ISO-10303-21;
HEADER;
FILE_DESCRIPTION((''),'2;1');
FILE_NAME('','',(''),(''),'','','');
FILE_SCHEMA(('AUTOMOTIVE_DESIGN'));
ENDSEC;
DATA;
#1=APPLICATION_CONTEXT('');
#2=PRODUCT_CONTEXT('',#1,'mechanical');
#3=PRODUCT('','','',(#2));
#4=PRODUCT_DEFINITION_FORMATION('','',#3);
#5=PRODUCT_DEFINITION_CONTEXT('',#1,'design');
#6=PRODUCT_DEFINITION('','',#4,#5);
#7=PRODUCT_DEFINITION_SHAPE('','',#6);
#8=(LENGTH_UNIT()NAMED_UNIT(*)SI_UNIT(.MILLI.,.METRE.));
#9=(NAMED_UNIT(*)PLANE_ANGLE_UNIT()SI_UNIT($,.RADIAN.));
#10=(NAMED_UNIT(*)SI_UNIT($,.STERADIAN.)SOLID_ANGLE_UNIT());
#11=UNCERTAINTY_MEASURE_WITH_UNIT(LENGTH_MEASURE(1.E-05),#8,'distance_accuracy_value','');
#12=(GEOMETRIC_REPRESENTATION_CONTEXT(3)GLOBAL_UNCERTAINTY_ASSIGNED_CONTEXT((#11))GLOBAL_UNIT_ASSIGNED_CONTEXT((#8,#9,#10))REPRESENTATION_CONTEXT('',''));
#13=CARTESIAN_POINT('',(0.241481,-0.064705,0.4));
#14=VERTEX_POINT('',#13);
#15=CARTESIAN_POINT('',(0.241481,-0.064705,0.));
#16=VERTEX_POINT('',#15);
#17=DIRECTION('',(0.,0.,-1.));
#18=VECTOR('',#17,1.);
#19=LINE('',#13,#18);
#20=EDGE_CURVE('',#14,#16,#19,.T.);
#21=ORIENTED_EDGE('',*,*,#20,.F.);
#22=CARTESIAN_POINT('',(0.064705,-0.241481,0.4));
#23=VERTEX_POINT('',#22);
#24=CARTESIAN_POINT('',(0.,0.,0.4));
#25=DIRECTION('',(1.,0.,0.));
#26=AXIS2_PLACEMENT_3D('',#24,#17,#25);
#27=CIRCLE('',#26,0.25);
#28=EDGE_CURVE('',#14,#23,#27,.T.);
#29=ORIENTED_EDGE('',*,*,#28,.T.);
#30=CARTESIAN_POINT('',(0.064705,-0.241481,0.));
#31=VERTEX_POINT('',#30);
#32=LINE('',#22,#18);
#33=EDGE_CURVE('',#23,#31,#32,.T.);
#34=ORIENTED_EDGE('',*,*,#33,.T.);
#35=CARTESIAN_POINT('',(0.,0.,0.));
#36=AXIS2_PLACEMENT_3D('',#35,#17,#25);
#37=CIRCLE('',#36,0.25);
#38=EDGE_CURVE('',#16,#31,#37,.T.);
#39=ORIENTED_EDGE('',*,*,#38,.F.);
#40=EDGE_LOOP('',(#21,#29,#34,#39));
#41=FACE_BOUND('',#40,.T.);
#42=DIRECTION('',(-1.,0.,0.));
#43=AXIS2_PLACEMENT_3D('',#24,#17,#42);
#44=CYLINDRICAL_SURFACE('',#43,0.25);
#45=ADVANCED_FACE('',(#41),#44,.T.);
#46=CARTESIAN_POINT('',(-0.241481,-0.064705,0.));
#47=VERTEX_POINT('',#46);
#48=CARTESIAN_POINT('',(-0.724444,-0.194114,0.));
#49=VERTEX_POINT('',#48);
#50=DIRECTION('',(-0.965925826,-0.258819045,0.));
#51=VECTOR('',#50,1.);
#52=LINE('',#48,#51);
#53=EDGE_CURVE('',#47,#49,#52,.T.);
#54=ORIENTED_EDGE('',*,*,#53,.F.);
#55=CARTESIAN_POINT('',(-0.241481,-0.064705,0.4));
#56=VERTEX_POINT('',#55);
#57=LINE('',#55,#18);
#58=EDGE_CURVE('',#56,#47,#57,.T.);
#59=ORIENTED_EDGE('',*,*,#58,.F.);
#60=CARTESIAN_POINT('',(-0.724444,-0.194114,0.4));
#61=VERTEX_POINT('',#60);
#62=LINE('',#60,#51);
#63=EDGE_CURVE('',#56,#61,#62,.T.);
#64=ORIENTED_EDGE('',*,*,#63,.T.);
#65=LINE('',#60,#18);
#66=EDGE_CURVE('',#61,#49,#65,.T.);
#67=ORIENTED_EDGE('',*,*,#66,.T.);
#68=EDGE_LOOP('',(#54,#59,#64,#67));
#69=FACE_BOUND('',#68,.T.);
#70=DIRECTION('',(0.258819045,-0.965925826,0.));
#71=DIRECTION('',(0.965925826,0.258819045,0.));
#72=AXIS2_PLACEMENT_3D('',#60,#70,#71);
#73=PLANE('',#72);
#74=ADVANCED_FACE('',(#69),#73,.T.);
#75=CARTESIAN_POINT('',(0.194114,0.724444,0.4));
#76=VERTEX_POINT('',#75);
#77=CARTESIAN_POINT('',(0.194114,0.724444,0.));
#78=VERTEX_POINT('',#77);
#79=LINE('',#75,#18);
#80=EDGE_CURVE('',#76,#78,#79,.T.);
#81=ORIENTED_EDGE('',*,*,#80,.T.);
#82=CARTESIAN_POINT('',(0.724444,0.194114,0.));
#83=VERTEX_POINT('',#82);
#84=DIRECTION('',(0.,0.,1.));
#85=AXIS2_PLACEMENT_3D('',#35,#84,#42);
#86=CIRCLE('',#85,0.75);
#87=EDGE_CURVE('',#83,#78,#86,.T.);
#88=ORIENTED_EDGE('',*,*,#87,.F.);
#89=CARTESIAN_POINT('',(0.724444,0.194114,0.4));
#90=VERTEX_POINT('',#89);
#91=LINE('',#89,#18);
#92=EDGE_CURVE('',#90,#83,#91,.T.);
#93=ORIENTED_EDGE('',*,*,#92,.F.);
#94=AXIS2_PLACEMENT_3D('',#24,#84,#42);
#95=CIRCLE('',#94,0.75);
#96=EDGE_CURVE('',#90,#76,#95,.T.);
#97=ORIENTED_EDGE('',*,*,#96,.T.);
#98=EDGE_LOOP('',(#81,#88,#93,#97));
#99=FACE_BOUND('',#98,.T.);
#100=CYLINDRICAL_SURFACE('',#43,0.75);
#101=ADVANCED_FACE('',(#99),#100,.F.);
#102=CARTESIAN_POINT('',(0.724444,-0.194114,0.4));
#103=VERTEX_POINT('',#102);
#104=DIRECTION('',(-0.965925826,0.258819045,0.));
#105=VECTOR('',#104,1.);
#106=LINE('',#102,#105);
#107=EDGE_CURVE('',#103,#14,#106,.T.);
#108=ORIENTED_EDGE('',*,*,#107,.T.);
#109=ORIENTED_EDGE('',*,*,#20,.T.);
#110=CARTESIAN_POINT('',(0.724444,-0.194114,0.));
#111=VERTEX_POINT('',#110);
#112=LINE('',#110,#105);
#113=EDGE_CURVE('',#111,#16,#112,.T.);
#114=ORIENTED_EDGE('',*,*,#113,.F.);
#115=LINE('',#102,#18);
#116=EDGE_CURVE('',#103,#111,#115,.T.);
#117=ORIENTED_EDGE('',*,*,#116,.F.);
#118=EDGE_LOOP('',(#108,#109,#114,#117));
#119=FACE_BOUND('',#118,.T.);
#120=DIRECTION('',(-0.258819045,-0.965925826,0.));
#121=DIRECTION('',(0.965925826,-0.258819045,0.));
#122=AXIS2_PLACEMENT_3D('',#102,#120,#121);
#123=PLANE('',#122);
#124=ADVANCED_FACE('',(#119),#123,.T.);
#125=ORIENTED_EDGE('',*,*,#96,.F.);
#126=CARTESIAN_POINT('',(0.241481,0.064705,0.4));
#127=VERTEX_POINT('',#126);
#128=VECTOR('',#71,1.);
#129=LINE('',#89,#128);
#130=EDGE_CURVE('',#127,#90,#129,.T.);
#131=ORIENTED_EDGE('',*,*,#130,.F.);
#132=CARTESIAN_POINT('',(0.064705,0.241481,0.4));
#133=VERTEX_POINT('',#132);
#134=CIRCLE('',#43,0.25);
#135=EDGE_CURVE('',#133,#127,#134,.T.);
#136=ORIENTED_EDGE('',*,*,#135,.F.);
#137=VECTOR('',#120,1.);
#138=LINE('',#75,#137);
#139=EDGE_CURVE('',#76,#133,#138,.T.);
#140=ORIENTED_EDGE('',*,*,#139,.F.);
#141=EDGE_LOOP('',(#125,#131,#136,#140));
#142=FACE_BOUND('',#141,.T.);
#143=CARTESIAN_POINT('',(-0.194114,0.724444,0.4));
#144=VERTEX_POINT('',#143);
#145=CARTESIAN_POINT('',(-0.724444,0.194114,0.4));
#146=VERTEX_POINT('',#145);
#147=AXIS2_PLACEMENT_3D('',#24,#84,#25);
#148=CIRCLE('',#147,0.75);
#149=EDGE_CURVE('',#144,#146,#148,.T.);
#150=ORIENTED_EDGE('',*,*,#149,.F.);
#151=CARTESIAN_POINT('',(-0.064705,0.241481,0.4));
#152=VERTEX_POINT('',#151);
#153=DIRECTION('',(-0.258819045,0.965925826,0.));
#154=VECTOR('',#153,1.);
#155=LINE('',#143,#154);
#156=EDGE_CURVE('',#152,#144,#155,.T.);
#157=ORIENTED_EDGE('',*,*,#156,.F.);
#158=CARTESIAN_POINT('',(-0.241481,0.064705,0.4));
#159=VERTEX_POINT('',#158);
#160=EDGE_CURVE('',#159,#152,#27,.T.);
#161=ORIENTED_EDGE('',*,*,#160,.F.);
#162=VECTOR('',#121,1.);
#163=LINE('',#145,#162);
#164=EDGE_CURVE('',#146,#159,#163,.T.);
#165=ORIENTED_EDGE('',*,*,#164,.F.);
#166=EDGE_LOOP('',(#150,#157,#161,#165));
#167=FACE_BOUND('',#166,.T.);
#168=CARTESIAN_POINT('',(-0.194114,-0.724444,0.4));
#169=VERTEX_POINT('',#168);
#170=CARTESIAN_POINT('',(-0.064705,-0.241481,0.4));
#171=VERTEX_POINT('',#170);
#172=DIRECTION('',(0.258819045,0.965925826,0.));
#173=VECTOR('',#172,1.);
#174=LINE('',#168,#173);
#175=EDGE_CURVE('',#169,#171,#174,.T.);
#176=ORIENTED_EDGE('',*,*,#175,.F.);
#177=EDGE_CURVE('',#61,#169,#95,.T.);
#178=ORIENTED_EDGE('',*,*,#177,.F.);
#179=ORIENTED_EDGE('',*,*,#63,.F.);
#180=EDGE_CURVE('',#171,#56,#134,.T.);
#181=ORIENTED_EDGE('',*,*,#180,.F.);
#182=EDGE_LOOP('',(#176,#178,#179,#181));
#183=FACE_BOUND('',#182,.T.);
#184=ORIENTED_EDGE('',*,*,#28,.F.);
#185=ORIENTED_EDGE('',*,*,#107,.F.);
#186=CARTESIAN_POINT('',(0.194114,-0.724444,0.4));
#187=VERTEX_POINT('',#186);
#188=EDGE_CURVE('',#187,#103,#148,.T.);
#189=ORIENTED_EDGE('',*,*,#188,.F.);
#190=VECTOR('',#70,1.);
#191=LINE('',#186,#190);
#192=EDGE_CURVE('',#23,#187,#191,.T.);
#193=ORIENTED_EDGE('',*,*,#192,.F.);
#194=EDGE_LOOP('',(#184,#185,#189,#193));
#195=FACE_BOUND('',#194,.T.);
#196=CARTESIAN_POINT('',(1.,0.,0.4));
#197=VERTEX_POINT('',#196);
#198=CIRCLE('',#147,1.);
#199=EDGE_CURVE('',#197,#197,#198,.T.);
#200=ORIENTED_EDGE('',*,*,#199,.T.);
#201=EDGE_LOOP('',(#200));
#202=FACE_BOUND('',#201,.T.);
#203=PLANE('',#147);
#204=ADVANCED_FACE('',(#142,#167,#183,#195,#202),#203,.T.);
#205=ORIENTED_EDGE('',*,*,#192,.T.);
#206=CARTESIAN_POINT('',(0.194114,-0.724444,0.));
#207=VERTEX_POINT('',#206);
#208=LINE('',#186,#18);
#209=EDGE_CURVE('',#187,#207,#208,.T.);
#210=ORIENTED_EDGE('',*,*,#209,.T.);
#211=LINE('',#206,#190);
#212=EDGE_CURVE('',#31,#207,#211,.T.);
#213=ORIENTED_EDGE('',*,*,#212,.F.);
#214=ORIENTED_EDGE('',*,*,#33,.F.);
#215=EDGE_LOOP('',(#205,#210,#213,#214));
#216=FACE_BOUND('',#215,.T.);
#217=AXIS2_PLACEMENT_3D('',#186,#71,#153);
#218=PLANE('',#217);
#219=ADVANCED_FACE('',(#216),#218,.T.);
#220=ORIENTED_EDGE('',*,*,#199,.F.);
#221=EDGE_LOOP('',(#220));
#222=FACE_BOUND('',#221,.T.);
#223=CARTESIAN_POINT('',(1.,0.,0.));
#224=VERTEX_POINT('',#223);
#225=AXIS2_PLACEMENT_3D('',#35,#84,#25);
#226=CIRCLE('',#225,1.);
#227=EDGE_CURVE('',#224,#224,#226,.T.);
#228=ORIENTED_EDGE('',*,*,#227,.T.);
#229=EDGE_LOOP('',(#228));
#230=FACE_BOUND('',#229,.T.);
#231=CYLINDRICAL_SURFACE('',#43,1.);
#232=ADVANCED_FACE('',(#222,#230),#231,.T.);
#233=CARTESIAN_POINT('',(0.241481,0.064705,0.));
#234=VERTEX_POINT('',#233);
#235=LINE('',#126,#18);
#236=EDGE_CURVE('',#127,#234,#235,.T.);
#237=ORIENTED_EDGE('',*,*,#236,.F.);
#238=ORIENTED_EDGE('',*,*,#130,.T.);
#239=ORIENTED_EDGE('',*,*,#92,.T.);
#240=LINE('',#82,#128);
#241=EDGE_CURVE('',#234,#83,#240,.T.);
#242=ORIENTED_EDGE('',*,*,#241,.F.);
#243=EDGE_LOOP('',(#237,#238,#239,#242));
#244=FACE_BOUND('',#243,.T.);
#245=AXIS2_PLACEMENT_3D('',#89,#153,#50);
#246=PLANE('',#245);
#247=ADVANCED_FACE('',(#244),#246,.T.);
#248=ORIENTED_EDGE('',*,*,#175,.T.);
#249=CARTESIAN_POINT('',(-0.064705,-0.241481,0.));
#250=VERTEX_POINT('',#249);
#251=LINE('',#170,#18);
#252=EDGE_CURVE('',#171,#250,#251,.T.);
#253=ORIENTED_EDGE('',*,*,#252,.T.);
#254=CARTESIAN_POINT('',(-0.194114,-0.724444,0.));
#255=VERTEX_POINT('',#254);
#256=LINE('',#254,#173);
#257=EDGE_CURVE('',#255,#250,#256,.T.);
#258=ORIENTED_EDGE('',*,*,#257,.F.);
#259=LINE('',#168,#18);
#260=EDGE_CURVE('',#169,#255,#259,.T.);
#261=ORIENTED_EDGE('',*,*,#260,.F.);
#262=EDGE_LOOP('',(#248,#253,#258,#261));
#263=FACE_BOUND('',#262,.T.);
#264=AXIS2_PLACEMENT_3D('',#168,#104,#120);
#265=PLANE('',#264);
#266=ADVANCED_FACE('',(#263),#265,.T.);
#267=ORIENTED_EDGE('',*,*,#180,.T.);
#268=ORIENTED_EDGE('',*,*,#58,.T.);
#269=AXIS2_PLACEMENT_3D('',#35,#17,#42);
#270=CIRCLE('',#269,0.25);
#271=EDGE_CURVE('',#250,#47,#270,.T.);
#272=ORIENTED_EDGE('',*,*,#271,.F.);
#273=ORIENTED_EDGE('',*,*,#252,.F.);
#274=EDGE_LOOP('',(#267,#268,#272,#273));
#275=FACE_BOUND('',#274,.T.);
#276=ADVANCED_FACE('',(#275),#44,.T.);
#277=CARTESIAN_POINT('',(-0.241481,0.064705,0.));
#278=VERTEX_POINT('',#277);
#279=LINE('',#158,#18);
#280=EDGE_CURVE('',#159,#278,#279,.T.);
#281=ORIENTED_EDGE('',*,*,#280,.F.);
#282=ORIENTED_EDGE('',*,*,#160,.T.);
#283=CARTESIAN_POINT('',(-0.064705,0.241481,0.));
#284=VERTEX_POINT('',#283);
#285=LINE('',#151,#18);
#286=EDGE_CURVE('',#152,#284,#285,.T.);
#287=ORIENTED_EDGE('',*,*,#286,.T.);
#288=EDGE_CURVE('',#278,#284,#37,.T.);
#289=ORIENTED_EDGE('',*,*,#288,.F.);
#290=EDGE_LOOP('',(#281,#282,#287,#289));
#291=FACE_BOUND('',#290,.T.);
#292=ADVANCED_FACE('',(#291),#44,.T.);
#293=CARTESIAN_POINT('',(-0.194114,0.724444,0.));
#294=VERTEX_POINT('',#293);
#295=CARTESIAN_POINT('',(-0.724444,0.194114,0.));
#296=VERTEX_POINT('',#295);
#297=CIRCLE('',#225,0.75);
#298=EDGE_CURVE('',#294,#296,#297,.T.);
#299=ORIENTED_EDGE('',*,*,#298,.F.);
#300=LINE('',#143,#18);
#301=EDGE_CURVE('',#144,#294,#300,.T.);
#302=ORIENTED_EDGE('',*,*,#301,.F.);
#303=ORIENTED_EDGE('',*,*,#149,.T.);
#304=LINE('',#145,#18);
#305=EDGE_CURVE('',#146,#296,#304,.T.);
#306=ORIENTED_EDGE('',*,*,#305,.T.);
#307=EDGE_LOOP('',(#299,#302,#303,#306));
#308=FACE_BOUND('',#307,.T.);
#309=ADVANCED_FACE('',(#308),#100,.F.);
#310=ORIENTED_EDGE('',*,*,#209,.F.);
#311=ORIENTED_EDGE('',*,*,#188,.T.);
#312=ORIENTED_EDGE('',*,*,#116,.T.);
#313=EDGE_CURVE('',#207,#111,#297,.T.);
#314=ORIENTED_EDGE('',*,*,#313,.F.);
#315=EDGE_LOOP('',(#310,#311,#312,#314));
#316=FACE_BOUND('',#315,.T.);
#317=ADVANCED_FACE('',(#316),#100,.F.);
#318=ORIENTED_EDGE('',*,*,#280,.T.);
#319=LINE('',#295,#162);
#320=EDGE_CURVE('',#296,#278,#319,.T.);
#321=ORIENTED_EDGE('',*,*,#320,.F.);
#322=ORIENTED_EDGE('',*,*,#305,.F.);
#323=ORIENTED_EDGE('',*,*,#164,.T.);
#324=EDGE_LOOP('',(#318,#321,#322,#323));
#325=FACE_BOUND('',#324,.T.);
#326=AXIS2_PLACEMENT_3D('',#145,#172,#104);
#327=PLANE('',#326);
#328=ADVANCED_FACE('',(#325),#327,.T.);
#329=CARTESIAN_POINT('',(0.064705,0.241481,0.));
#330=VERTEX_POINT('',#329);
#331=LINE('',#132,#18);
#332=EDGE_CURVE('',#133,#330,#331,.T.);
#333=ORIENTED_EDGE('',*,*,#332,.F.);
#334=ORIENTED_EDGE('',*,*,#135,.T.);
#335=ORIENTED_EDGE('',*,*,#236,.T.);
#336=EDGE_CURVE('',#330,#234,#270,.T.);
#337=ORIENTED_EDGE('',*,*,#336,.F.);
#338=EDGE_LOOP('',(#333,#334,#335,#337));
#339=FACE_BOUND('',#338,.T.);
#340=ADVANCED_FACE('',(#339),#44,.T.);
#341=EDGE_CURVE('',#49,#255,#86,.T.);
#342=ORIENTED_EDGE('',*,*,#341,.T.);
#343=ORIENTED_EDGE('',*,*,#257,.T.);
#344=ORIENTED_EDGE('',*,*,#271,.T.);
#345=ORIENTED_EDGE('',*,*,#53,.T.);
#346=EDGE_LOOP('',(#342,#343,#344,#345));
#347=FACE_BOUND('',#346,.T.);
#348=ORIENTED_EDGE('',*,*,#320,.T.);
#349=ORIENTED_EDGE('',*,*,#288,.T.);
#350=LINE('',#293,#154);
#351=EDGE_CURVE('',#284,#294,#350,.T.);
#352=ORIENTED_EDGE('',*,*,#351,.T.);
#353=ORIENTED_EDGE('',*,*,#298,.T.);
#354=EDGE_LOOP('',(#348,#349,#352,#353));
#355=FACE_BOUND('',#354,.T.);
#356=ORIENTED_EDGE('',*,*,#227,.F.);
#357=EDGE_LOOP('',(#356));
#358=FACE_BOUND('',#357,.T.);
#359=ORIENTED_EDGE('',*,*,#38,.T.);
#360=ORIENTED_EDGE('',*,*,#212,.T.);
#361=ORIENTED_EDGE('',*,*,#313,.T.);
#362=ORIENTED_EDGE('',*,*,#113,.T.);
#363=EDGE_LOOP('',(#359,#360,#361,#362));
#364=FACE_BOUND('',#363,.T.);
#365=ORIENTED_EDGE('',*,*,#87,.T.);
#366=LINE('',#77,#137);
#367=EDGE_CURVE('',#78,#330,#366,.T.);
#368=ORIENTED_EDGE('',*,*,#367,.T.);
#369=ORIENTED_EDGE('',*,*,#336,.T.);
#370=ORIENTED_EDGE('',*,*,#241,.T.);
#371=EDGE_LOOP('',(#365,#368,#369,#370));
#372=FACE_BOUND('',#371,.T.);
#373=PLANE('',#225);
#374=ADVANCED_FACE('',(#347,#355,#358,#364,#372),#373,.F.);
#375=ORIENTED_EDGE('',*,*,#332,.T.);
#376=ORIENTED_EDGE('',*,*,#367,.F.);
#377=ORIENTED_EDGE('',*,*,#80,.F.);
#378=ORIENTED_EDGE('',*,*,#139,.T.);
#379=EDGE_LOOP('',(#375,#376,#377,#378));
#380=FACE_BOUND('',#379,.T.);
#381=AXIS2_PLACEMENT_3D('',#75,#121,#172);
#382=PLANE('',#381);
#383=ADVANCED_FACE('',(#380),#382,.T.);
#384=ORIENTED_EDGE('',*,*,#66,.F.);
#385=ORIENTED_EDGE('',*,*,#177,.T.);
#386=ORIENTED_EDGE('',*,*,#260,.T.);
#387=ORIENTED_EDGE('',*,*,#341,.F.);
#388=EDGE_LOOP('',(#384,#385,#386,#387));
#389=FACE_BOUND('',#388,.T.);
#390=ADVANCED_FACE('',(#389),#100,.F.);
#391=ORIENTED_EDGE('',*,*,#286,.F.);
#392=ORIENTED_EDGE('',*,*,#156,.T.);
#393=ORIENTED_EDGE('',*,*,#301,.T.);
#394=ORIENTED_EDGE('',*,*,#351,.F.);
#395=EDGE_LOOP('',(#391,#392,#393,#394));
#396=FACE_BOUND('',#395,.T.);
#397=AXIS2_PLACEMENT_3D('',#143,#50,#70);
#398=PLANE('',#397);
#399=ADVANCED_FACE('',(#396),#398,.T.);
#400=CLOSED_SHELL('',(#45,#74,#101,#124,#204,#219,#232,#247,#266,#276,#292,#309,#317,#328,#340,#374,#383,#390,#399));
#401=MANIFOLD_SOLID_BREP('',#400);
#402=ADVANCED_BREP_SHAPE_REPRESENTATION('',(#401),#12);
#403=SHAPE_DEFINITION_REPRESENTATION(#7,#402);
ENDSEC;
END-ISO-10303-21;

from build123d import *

# Parameters (mm, degrees)
SKETCH1_R           = 1
BOSS_EXTRUDE1_DEPTH = 0.4


with BuildPart() as part:
    # Sketch1 → Boss-Extrude1 (new body)
    with BuildSketch(Plane.XY):
        Circle(SKETCH1_R)
        with BuildLine():
            Line((-0.72444437, 0.194114284), (-0.241481457, 0.064704761))
            ThreePointArc((-0.241481457, 0.064704761), (-0.176776695, 0.176776695), (-0.064704761, 0.241481457))
            Line((-0.064704761, 0.241481457), (-0.194114284, 0.72444437))
            ThreePointArc((-0.194114284, 0.72444437), (-0.530330086, 0.530330086), (-0.72444437, 0.194114284))
        make_face(mode=Mode.SUBTRACT)
        with BuildLine():
            Line((0.194114284, 0.72444437), (0.064704761, 0.241481457))
            ThreePointArc((0.064704761, 0.241481457), (0.176776695, 0.176776695), (0.241481457, 0.064704761))
            Line((0.241481457, 0.064704761), (0.72444437, 0.194114284))
            ThreePointArc((0.72444437, 0.194114284), (0.530330086, 0.530330086), (0.194114284, 0.72444437))
        make_face(mode=Mode.SUBTRACT)
        with BuildLine():
            Line((0.194114284, -0.72444437), (0.064704761, -0.241481457))
            ThreePointArc((0.064704761, -0.241481457), (0.176776695, -0.176776695), (0.241481457, -0.064704761))
            Line((0.241481457, -0.064704761), (0.72444437, -0.194114284))
            ThreePointArc((0.72444437, -0.194114284), (0.530330086, -0.530330086), (0.194114284, -0.72444437))
        make_face(mode=Mode.SUBTRACT)
        with BuildLine():
            Line((-0.194114284, -0.72444437), (-0.064704761, -0.241481457))
            ThreePointArc((-0.064704761, -0.241481457), (-0.176776695, -0.176776695), (-0.241481457, -0.064704761))
            Line((-0.241481457, -0.064704761), (-0.72444437, -0.194114284))
            ThreePointArc((-0.72444437, -0.194114284), (-0.530330086, -0.530330086), (-0.194114284, -0.72444437))
        make_face(mode=Mode.SUBTRACT)
    extrude(amount=BOSS_EXTRUDE1_DEPTH)


solid = part.part
